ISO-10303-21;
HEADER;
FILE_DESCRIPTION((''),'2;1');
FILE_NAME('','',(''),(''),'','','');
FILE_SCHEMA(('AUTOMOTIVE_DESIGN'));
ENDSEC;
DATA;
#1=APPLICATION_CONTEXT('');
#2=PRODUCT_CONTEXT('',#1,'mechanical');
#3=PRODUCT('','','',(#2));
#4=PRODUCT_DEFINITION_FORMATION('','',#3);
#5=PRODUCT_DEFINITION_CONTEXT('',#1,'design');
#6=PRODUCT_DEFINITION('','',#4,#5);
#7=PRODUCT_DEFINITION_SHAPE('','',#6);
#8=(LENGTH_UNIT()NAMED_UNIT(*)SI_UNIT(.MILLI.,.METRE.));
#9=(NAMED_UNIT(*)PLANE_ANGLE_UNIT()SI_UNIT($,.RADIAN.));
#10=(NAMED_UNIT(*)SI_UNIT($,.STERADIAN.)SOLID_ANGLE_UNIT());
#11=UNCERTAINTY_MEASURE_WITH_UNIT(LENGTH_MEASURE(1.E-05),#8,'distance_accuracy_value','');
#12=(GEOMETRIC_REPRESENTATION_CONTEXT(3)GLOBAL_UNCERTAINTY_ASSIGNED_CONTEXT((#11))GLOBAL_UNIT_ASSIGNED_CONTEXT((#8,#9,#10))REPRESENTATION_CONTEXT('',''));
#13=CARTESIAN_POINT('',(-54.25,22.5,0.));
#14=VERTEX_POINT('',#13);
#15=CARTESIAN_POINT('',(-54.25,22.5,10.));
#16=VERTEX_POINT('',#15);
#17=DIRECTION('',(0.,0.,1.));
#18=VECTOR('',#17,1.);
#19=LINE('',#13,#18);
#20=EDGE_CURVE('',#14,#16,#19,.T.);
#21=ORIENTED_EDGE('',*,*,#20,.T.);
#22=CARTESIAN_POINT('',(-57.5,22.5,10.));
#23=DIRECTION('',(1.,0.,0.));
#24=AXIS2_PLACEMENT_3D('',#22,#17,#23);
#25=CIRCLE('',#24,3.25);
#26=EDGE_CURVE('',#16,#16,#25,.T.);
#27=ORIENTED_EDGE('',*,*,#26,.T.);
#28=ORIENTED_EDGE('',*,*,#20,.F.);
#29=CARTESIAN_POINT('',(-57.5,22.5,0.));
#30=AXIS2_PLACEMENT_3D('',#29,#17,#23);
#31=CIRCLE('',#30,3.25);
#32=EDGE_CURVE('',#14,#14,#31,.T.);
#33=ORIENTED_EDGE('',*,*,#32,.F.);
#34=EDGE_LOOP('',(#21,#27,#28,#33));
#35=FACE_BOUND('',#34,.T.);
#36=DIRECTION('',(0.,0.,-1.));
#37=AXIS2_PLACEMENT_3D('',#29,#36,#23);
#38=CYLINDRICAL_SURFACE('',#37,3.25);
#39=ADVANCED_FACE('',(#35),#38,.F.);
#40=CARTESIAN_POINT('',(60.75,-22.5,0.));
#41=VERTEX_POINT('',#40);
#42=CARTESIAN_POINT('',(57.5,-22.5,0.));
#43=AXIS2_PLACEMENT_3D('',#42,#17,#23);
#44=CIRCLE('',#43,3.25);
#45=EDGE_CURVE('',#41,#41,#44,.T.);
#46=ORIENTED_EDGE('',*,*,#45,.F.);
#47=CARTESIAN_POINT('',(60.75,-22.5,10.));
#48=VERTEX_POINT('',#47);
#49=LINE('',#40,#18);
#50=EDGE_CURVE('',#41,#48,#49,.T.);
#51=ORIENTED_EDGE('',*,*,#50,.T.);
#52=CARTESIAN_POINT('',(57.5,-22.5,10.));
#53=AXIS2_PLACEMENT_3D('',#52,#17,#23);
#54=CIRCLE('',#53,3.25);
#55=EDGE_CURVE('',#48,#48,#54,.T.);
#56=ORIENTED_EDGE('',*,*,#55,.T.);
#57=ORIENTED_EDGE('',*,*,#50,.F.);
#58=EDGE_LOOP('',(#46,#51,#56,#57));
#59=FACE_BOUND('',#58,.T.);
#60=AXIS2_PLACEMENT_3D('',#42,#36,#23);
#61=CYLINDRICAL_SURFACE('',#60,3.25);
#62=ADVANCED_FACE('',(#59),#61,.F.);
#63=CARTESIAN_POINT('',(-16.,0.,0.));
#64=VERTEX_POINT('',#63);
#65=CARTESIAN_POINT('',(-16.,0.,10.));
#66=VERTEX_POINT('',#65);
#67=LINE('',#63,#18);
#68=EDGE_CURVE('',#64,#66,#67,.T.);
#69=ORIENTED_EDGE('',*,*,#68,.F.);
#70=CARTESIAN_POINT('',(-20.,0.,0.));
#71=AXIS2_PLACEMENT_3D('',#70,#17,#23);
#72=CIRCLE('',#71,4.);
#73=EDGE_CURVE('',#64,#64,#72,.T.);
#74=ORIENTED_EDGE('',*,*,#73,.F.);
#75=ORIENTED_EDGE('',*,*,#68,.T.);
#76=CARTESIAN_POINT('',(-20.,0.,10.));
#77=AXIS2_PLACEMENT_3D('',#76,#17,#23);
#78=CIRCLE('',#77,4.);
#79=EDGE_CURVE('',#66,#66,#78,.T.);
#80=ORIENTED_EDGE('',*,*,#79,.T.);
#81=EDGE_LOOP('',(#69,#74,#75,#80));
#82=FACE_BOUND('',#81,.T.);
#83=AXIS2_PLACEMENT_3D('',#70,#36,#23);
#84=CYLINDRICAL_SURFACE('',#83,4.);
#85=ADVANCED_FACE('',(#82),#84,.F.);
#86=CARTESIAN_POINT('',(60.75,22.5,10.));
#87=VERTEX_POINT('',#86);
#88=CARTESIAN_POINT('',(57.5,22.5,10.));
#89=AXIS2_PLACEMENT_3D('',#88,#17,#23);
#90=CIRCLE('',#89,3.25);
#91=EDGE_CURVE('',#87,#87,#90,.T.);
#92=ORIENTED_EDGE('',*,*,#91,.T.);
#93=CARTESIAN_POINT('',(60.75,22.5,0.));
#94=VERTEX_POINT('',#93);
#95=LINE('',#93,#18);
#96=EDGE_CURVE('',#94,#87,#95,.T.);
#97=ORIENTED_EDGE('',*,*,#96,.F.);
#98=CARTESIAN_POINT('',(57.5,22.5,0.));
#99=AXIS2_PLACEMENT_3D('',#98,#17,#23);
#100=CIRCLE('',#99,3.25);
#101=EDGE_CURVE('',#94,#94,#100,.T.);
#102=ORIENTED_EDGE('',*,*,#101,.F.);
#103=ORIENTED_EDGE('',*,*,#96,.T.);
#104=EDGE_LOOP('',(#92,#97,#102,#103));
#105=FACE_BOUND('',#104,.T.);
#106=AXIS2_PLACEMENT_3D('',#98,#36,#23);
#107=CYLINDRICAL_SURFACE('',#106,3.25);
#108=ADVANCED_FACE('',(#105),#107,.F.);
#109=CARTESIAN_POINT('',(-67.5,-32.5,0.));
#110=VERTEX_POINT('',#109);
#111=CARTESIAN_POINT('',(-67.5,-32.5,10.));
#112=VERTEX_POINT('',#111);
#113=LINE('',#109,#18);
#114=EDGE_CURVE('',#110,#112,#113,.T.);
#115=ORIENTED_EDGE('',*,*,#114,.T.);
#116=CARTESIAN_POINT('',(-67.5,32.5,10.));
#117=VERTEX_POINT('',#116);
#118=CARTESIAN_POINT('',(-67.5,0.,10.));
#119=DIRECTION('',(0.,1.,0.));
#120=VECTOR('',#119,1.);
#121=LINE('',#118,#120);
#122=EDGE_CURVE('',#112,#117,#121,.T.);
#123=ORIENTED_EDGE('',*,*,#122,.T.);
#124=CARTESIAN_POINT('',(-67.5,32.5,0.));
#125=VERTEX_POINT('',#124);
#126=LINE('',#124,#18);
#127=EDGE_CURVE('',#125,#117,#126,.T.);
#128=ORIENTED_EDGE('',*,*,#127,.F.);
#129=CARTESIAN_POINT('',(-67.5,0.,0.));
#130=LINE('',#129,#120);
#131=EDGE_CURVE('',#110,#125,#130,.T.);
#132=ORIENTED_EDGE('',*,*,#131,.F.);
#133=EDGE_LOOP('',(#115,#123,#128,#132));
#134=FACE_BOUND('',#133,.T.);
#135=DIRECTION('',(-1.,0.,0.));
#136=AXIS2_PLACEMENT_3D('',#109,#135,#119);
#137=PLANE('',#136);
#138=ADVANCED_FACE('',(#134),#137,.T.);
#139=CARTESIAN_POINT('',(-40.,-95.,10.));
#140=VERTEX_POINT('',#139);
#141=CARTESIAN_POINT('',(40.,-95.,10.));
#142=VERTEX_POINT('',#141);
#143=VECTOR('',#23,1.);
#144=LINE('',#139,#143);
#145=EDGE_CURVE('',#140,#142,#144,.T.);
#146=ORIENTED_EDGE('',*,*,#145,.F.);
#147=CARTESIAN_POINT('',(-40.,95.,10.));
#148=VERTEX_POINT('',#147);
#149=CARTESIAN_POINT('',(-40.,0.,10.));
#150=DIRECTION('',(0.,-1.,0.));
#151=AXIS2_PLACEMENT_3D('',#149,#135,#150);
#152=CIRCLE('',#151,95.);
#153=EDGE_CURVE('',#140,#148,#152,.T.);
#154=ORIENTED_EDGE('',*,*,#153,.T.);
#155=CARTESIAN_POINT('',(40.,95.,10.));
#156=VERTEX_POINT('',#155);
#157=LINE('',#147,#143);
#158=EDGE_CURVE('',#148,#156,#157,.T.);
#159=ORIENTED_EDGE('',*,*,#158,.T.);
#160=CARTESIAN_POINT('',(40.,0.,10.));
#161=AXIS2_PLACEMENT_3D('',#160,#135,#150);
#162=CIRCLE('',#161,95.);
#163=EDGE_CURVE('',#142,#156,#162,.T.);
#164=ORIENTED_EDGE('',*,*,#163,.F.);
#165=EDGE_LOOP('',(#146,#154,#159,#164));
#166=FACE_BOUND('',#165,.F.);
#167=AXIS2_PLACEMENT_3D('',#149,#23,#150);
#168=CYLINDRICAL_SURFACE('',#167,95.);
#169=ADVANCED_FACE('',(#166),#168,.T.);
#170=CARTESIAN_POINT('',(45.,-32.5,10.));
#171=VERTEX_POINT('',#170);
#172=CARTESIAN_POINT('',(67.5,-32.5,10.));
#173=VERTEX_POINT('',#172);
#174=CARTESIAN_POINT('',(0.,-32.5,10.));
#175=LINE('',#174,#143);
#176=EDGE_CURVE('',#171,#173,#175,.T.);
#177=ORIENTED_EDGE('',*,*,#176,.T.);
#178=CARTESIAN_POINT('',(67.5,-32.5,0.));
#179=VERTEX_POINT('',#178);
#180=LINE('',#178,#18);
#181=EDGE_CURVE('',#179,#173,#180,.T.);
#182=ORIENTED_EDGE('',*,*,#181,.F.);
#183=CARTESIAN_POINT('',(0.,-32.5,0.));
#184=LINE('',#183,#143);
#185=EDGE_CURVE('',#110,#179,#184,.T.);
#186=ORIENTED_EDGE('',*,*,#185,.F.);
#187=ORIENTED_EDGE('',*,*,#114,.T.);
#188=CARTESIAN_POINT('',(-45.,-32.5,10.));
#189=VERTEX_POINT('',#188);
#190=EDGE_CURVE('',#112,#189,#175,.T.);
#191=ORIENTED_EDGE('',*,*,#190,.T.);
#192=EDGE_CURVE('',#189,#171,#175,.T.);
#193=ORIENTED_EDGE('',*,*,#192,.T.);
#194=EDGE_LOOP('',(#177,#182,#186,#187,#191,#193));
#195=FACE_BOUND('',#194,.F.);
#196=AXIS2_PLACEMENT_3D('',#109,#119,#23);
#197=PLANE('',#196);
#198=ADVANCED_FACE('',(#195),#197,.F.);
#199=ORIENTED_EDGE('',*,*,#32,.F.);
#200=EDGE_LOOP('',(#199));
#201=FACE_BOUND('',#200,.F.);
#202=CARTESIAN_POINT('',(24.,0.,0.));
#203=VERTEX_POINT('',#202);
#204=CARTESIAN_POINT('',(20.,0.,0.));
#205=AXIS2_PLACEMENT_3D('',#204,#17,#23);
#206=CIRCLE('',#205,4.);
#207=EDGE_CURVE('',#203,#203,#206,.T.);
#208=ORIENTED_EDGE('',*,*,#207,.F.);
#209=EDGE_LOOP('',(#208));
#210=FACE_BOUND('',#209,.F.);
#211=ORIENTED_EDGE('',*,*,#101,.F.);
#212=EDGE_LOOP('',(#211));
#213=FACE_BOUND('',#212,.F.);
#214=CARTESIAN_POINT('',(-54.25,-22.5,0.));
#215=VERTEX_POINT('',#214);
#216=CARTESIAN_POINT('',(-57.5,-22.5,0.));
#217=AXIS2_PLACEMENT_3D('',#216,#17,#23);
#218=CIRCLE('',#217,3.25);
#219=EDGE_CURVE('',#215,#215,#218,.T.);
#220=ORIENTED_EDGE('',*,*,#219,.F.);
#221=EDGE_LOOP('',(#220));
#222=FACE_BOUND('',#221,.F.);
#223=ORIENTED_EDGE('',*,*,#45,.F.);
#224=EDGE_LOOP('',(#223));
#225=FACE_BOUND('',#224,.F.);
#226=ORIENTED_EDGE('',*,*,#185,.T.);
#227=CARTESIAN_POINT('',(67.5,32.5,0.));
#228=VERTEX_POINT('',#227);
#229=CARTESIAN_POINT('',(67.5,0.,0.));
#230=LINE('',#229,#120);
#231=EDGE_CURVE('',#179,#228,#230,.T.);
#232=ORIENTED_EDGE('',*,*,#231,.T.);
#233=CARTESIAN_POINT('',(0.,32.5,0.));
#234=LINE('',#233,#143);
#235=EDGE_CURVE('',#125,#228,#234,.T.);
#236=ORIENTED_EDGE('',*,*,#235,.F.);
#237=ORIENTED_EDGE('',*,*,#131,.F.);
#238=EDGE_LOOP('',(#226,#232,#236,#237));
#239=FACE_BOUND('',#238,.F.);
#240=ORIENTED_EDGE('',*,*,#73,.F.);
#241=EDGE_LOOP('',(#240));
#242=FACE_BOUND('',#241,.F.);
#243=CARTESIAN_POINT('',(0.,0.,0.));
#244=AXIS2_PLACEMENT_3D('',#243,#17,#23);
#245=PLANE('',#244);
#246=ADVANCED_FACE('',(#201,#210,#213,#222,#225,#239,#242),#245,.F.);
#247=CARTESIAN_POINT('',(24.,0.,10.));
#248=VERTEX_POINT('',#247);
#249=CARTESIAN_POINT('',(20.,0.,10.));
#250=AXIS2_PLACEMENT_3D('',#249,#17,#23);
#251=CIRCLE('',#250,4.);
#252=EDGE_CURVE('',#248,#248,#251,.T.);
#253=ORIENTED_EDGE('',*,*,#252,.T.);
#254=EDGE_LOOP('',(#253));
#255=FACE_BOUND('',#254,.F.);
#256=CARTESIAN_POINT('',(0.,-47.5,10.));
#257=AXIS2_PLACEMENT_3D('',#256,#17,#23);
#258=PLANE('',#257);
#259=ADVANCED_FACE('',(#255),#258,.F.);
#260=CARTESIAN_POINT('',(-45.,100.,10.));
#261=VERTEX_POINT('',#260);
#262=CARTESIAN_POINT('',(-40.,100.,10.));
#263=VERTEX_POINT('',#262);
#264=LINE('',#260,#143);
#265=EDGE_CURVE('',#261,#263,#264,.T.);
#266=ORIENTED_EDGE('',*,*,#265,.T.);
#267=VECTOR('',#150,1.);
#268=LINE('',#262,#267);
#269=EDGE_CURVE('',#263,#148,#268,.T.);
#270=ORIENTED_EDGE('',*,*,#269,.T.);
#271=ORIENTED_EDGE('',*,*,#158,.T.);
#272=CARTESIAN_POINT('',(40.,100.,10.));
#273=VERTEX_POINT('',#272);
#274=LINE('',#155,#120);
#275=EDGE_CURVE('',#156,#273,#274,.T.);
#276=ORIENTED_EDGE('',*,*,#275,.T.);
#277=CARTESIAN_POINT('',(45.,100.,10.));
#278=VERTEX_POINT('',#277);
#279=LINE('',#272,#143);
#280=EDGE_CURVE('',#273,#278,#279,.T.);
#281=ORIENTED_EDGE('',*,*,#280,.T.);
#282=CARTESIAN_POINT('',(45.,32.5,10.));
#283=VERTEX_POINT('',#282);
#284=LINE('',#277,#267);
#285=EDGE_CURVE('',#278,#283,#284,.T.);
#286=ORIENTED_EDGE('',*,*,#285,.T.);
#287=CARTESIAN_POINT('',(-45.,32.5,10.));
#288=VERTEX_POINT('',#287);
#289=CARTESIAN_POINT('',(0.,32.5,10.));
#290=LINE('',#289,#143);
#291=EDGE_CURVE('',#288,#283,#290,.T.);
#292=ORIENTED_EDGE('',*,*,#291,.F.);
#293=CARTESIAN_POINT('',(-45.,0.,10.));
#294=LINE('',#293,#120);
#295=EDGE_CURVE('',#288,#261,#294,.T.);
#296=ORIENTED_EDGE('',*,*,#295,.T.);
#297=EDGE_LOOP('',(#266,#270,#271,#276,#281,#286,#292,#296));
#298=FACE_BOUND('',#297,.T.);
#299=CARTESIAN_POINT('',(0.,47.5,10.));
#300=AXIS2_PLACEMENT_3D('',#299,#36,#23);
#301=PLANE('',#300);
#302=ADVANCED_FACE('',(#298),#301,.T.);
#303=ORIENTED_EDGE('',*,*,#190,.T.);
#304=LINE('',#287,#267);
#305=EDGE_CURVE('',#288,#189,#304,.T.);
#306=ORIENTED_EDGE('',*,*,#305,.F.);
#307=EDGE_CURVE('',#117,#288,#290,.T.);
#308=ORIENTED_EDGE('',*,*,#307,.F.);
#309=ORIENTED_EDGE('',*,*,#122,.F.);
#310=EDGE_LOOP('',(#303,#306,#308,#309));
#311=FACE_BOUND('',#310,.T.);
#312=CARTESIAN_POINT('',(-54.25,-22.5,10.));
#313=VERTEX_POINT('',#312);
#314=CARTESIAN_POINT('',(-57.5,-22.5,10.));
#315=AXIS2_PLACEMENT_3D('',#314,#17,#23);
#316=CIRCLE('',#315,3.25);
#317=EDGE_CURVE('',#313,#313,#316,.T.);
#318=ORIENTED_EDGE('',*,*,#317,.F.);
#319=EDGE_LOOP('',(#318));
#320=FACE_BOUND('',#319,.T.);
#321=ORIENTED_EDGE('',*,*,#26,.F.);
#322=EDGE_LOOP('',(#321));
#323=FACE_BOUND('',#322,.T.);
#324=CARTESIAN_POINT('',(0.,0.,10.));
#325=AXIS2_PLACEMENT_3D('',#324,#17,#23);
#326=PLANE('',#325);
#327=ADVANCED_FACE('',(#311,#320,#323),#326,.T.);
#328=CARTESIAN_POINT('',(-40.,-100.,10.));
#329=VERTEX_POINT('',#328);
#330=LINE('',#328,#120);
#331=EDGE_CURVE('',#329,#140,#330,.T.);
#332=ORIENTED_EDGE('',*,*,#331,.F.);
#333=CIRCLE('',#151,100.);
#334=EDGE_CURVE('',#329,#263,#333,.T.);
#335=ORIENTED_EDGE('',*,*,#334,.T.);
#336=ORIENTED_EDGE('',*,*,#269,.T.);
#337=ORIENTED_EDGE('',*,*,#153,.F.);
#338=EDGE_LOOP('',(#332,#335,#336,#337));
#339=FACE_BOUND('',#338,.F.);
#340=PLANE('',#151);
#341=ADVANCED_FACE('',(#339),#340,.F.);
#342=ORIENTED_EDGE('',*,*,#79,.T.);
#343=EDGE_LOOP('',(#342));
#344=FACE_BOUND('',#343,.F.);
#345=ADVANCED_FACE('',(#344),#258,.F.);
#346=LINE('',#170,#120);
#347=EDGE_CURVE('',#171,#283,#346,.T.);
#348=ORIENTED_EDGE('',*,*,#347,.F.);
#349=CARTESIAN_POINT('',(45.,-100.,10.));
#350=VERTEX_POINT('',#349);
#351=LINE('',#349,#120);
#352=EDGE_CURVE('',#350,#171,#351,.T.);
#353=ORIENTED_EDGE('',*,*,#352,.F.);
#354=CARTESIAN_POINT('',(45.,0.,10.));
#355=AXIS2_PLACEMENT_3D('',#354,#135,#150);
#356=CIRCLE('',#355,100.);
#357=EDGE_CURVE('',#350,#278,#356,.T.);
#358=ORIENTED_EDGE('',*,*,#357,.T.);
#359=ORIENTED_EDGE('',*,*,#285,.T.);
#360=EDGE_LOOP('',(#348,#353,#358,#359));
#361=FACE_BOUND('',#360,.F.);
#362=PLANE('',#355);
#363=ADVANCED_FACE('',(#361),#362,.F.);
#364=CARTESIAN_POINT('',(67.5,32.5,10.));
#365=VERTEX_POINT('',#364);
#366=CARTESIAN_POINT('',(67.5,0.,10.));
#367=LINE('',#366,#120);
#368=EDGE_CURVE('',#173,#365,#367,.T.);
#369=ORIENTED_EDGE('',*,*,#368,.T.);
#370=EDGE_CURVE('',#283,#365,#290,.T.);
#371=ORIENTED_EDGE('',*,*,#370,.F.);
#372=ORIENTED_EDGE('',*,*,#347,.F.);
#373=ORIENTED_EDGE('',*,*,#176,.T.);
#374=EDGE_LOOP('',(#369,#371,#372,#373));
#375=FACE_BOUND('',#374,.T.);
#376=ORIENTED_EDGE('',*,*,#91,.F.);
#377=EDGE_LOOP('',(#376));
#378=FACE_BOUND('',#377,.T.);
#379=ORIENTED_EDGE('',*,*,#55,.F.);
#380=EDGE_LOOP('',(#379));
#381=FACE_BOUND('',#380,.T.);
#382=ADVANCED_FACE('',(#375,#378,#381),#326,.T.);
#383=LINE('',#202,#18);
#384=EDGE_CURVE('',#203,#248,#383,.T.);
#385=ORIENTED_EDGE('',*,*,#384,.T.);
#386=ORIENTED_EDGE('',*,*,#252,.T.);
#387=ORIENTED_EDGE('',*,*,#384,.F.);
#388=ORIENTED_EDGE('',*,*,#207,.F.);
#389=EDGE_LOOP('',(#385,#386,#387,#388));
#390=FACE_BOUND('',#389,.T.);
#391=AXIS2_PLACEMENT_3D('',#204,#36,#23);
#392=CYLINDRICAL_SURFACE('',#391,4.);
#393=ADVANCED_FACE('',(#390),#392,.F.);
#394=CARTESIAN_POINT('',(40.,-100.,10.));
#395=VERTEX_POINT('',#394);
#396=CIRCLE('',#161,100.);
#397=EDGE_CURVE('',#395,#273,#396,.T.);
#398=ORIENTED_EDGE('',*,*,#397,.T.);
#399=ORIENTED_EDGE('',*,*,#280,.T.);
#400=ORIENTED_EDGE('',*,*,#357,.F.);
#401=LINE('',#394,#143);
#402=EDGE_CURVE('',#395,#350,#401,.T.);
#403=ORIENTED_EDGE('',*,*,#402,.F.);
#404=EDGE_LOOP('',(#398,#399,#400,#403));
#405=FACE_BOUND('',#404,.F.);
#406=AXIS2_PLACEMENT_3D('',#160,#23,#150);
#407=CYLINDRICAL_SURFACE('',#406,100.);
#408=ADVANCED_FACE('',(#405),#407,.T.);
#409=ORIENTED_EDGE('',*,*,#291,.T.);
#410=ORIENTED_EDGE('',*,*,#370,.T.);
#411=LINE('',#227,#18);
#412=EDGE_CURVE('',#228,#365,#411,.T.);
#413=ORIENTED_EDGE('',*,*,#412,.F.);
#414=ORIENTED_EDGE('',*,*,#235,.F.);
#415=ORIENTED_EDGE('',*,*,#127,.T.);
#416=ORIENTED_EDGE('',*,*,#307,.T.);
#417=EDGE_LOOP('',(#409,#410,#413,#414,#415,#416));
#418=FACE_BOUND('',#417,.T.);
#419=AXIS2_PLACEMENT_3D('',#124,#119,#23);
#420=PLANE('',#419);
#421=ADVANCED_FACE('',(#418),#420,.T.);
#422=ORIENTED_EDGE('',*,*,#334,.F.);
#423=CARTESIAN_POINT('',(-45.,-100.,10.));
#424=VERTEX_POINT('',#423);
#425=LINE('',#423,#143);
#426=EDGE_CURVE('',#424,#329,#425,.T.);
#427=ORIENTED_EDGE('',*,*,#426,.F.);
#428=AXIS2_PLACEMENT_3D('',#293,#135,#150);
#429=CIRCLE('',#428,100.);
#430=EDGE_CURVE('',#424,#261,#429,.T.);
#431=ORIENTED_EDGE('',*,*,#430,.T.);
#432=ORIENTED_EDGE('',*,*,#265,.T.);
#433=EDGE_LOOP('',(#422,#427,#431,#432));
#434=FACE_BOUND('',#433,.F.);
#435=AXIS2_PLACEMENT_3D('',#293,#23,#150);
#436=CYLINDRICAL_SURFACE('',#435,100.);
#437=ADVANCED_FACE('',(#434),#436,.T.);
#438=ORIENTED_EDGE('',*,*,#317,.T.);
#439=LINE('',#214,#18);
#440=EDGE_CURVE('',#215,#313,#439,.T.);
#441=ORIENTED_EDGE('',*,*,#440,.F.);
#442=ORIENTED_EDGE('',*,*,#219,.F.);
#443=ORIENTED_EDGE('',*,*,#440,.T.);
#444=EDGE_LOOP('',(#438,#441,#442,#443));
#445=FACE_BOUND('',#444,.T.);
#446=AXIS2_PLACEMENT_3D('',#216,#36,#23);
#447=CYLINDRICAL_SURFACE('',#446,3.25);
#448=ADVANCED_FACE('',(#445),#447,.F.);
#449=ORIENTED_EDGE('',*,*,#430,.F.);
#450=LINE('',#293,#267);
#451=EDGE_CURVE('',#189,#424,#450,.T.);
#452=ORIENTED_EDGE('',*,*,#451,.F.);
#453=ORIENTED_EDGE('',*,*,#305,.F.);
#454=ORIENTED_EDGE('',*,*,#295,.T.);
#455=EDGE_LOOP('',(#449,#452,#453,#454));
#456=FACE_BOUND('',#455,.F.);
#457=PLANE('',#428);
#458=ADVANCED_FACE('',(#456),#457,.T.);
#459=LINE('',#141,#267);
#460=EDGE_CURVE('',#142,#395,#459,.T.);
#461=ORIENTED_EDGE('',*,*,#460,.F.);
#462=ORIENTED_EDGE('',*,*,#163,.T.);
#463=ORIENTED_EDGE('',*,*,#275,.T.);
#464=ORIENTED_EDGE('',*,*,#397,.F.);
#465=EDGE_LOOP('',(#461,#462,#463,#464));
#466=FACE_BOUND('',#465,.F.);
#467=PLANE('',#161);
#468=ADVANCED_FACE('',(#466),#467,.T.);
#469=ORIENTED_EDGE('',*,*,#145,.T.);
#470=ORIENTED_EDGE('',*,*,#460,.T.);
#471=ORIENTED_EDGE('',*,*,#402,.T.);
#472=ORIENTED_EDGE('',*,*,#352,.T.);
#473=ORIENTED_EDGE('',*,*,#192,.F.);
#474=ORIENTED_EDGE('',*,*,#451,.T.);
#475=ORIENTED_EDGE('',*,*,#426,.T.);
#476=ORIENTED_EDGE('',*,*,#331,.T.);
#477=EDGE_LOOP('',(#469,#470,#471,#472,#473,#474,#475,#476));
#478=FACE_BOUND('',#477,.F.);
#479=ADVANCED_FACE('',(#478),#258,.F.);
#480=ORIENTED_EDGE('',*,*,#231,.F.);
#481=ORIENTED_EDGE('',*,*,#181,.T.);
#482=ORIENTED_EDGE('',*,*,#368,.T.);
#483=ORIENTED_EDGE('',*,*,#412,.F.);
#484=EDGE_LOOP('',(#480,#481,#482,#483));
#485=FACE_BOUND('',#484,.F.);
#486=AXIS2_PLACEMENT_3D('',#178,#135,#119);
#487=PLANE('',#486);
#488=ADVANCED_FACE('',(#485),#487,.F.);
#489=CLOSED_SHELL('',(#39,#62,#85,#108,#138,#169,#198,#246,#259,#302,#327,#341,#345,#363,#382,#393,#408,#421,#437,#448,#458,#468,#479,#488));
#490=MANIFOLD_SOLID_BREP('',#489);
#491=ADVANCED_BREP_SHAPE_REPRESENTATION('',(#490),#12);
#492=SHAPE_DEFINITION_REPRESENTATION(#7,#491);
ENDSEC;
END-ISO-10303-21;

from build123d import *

# Parameters (mm, degrees)
F0_W     = 135
F0_H     = 65
F0_R     = 3.25
F0_R_2   = 4
F1_DEPTH = 10
F3_ANGLE = -180


with BuildPart() as f1:
    # F0 (on Top) → F1 (new body)
    with BuildSketch(Plane.XY):
        Rectangle(F0_W, F0_H)
        with Locations((-57.5, -22.5)):
            Circle(F0_R, mode=Mode.SUBTRACT)
        with Locations((57.5, -22.5)):
            Circle(F0_R, mode=Mode.SUBTRACT)
        with Locations((-20, 0)):
            Circle(F0_R_2, mode=Mode.SUBTRACT)
        with Locations((-57.5, 22.5)):
            Circle(F0_R, mode=Mode.SUBTRACT)
        with Locations((20, 0)):
            Circle(F0_R_2, mode=Mode.SUBTRACT)
        with Locations((57.5, 22.5)):
            Circle(F0_R, mode=Mode.SUBTRACT)
    extrude(amount=F1_DEPTH)

    # F2 (on face) → F3 (revolve)
    with BuildSketch(Plane.XY.offset(10)):
        Polygon((40, 0), (0, 0), (-40, 0), (-40, -95), (0, -95), (40, -95), align=None)
        Polygon((-40, -95), (-40, 0), (-45, 0), (-45, -100), (-40, -100), align=None)
        Polygon((45, 0), (40, 0), (40, -95), (40, -100), (45, -100), align=None)
    revolve(axis=Axis((-5.601771, 0, 10), (1, 0, 0)), revolution_arc=F3_ANGLE)


solid = f1.part
